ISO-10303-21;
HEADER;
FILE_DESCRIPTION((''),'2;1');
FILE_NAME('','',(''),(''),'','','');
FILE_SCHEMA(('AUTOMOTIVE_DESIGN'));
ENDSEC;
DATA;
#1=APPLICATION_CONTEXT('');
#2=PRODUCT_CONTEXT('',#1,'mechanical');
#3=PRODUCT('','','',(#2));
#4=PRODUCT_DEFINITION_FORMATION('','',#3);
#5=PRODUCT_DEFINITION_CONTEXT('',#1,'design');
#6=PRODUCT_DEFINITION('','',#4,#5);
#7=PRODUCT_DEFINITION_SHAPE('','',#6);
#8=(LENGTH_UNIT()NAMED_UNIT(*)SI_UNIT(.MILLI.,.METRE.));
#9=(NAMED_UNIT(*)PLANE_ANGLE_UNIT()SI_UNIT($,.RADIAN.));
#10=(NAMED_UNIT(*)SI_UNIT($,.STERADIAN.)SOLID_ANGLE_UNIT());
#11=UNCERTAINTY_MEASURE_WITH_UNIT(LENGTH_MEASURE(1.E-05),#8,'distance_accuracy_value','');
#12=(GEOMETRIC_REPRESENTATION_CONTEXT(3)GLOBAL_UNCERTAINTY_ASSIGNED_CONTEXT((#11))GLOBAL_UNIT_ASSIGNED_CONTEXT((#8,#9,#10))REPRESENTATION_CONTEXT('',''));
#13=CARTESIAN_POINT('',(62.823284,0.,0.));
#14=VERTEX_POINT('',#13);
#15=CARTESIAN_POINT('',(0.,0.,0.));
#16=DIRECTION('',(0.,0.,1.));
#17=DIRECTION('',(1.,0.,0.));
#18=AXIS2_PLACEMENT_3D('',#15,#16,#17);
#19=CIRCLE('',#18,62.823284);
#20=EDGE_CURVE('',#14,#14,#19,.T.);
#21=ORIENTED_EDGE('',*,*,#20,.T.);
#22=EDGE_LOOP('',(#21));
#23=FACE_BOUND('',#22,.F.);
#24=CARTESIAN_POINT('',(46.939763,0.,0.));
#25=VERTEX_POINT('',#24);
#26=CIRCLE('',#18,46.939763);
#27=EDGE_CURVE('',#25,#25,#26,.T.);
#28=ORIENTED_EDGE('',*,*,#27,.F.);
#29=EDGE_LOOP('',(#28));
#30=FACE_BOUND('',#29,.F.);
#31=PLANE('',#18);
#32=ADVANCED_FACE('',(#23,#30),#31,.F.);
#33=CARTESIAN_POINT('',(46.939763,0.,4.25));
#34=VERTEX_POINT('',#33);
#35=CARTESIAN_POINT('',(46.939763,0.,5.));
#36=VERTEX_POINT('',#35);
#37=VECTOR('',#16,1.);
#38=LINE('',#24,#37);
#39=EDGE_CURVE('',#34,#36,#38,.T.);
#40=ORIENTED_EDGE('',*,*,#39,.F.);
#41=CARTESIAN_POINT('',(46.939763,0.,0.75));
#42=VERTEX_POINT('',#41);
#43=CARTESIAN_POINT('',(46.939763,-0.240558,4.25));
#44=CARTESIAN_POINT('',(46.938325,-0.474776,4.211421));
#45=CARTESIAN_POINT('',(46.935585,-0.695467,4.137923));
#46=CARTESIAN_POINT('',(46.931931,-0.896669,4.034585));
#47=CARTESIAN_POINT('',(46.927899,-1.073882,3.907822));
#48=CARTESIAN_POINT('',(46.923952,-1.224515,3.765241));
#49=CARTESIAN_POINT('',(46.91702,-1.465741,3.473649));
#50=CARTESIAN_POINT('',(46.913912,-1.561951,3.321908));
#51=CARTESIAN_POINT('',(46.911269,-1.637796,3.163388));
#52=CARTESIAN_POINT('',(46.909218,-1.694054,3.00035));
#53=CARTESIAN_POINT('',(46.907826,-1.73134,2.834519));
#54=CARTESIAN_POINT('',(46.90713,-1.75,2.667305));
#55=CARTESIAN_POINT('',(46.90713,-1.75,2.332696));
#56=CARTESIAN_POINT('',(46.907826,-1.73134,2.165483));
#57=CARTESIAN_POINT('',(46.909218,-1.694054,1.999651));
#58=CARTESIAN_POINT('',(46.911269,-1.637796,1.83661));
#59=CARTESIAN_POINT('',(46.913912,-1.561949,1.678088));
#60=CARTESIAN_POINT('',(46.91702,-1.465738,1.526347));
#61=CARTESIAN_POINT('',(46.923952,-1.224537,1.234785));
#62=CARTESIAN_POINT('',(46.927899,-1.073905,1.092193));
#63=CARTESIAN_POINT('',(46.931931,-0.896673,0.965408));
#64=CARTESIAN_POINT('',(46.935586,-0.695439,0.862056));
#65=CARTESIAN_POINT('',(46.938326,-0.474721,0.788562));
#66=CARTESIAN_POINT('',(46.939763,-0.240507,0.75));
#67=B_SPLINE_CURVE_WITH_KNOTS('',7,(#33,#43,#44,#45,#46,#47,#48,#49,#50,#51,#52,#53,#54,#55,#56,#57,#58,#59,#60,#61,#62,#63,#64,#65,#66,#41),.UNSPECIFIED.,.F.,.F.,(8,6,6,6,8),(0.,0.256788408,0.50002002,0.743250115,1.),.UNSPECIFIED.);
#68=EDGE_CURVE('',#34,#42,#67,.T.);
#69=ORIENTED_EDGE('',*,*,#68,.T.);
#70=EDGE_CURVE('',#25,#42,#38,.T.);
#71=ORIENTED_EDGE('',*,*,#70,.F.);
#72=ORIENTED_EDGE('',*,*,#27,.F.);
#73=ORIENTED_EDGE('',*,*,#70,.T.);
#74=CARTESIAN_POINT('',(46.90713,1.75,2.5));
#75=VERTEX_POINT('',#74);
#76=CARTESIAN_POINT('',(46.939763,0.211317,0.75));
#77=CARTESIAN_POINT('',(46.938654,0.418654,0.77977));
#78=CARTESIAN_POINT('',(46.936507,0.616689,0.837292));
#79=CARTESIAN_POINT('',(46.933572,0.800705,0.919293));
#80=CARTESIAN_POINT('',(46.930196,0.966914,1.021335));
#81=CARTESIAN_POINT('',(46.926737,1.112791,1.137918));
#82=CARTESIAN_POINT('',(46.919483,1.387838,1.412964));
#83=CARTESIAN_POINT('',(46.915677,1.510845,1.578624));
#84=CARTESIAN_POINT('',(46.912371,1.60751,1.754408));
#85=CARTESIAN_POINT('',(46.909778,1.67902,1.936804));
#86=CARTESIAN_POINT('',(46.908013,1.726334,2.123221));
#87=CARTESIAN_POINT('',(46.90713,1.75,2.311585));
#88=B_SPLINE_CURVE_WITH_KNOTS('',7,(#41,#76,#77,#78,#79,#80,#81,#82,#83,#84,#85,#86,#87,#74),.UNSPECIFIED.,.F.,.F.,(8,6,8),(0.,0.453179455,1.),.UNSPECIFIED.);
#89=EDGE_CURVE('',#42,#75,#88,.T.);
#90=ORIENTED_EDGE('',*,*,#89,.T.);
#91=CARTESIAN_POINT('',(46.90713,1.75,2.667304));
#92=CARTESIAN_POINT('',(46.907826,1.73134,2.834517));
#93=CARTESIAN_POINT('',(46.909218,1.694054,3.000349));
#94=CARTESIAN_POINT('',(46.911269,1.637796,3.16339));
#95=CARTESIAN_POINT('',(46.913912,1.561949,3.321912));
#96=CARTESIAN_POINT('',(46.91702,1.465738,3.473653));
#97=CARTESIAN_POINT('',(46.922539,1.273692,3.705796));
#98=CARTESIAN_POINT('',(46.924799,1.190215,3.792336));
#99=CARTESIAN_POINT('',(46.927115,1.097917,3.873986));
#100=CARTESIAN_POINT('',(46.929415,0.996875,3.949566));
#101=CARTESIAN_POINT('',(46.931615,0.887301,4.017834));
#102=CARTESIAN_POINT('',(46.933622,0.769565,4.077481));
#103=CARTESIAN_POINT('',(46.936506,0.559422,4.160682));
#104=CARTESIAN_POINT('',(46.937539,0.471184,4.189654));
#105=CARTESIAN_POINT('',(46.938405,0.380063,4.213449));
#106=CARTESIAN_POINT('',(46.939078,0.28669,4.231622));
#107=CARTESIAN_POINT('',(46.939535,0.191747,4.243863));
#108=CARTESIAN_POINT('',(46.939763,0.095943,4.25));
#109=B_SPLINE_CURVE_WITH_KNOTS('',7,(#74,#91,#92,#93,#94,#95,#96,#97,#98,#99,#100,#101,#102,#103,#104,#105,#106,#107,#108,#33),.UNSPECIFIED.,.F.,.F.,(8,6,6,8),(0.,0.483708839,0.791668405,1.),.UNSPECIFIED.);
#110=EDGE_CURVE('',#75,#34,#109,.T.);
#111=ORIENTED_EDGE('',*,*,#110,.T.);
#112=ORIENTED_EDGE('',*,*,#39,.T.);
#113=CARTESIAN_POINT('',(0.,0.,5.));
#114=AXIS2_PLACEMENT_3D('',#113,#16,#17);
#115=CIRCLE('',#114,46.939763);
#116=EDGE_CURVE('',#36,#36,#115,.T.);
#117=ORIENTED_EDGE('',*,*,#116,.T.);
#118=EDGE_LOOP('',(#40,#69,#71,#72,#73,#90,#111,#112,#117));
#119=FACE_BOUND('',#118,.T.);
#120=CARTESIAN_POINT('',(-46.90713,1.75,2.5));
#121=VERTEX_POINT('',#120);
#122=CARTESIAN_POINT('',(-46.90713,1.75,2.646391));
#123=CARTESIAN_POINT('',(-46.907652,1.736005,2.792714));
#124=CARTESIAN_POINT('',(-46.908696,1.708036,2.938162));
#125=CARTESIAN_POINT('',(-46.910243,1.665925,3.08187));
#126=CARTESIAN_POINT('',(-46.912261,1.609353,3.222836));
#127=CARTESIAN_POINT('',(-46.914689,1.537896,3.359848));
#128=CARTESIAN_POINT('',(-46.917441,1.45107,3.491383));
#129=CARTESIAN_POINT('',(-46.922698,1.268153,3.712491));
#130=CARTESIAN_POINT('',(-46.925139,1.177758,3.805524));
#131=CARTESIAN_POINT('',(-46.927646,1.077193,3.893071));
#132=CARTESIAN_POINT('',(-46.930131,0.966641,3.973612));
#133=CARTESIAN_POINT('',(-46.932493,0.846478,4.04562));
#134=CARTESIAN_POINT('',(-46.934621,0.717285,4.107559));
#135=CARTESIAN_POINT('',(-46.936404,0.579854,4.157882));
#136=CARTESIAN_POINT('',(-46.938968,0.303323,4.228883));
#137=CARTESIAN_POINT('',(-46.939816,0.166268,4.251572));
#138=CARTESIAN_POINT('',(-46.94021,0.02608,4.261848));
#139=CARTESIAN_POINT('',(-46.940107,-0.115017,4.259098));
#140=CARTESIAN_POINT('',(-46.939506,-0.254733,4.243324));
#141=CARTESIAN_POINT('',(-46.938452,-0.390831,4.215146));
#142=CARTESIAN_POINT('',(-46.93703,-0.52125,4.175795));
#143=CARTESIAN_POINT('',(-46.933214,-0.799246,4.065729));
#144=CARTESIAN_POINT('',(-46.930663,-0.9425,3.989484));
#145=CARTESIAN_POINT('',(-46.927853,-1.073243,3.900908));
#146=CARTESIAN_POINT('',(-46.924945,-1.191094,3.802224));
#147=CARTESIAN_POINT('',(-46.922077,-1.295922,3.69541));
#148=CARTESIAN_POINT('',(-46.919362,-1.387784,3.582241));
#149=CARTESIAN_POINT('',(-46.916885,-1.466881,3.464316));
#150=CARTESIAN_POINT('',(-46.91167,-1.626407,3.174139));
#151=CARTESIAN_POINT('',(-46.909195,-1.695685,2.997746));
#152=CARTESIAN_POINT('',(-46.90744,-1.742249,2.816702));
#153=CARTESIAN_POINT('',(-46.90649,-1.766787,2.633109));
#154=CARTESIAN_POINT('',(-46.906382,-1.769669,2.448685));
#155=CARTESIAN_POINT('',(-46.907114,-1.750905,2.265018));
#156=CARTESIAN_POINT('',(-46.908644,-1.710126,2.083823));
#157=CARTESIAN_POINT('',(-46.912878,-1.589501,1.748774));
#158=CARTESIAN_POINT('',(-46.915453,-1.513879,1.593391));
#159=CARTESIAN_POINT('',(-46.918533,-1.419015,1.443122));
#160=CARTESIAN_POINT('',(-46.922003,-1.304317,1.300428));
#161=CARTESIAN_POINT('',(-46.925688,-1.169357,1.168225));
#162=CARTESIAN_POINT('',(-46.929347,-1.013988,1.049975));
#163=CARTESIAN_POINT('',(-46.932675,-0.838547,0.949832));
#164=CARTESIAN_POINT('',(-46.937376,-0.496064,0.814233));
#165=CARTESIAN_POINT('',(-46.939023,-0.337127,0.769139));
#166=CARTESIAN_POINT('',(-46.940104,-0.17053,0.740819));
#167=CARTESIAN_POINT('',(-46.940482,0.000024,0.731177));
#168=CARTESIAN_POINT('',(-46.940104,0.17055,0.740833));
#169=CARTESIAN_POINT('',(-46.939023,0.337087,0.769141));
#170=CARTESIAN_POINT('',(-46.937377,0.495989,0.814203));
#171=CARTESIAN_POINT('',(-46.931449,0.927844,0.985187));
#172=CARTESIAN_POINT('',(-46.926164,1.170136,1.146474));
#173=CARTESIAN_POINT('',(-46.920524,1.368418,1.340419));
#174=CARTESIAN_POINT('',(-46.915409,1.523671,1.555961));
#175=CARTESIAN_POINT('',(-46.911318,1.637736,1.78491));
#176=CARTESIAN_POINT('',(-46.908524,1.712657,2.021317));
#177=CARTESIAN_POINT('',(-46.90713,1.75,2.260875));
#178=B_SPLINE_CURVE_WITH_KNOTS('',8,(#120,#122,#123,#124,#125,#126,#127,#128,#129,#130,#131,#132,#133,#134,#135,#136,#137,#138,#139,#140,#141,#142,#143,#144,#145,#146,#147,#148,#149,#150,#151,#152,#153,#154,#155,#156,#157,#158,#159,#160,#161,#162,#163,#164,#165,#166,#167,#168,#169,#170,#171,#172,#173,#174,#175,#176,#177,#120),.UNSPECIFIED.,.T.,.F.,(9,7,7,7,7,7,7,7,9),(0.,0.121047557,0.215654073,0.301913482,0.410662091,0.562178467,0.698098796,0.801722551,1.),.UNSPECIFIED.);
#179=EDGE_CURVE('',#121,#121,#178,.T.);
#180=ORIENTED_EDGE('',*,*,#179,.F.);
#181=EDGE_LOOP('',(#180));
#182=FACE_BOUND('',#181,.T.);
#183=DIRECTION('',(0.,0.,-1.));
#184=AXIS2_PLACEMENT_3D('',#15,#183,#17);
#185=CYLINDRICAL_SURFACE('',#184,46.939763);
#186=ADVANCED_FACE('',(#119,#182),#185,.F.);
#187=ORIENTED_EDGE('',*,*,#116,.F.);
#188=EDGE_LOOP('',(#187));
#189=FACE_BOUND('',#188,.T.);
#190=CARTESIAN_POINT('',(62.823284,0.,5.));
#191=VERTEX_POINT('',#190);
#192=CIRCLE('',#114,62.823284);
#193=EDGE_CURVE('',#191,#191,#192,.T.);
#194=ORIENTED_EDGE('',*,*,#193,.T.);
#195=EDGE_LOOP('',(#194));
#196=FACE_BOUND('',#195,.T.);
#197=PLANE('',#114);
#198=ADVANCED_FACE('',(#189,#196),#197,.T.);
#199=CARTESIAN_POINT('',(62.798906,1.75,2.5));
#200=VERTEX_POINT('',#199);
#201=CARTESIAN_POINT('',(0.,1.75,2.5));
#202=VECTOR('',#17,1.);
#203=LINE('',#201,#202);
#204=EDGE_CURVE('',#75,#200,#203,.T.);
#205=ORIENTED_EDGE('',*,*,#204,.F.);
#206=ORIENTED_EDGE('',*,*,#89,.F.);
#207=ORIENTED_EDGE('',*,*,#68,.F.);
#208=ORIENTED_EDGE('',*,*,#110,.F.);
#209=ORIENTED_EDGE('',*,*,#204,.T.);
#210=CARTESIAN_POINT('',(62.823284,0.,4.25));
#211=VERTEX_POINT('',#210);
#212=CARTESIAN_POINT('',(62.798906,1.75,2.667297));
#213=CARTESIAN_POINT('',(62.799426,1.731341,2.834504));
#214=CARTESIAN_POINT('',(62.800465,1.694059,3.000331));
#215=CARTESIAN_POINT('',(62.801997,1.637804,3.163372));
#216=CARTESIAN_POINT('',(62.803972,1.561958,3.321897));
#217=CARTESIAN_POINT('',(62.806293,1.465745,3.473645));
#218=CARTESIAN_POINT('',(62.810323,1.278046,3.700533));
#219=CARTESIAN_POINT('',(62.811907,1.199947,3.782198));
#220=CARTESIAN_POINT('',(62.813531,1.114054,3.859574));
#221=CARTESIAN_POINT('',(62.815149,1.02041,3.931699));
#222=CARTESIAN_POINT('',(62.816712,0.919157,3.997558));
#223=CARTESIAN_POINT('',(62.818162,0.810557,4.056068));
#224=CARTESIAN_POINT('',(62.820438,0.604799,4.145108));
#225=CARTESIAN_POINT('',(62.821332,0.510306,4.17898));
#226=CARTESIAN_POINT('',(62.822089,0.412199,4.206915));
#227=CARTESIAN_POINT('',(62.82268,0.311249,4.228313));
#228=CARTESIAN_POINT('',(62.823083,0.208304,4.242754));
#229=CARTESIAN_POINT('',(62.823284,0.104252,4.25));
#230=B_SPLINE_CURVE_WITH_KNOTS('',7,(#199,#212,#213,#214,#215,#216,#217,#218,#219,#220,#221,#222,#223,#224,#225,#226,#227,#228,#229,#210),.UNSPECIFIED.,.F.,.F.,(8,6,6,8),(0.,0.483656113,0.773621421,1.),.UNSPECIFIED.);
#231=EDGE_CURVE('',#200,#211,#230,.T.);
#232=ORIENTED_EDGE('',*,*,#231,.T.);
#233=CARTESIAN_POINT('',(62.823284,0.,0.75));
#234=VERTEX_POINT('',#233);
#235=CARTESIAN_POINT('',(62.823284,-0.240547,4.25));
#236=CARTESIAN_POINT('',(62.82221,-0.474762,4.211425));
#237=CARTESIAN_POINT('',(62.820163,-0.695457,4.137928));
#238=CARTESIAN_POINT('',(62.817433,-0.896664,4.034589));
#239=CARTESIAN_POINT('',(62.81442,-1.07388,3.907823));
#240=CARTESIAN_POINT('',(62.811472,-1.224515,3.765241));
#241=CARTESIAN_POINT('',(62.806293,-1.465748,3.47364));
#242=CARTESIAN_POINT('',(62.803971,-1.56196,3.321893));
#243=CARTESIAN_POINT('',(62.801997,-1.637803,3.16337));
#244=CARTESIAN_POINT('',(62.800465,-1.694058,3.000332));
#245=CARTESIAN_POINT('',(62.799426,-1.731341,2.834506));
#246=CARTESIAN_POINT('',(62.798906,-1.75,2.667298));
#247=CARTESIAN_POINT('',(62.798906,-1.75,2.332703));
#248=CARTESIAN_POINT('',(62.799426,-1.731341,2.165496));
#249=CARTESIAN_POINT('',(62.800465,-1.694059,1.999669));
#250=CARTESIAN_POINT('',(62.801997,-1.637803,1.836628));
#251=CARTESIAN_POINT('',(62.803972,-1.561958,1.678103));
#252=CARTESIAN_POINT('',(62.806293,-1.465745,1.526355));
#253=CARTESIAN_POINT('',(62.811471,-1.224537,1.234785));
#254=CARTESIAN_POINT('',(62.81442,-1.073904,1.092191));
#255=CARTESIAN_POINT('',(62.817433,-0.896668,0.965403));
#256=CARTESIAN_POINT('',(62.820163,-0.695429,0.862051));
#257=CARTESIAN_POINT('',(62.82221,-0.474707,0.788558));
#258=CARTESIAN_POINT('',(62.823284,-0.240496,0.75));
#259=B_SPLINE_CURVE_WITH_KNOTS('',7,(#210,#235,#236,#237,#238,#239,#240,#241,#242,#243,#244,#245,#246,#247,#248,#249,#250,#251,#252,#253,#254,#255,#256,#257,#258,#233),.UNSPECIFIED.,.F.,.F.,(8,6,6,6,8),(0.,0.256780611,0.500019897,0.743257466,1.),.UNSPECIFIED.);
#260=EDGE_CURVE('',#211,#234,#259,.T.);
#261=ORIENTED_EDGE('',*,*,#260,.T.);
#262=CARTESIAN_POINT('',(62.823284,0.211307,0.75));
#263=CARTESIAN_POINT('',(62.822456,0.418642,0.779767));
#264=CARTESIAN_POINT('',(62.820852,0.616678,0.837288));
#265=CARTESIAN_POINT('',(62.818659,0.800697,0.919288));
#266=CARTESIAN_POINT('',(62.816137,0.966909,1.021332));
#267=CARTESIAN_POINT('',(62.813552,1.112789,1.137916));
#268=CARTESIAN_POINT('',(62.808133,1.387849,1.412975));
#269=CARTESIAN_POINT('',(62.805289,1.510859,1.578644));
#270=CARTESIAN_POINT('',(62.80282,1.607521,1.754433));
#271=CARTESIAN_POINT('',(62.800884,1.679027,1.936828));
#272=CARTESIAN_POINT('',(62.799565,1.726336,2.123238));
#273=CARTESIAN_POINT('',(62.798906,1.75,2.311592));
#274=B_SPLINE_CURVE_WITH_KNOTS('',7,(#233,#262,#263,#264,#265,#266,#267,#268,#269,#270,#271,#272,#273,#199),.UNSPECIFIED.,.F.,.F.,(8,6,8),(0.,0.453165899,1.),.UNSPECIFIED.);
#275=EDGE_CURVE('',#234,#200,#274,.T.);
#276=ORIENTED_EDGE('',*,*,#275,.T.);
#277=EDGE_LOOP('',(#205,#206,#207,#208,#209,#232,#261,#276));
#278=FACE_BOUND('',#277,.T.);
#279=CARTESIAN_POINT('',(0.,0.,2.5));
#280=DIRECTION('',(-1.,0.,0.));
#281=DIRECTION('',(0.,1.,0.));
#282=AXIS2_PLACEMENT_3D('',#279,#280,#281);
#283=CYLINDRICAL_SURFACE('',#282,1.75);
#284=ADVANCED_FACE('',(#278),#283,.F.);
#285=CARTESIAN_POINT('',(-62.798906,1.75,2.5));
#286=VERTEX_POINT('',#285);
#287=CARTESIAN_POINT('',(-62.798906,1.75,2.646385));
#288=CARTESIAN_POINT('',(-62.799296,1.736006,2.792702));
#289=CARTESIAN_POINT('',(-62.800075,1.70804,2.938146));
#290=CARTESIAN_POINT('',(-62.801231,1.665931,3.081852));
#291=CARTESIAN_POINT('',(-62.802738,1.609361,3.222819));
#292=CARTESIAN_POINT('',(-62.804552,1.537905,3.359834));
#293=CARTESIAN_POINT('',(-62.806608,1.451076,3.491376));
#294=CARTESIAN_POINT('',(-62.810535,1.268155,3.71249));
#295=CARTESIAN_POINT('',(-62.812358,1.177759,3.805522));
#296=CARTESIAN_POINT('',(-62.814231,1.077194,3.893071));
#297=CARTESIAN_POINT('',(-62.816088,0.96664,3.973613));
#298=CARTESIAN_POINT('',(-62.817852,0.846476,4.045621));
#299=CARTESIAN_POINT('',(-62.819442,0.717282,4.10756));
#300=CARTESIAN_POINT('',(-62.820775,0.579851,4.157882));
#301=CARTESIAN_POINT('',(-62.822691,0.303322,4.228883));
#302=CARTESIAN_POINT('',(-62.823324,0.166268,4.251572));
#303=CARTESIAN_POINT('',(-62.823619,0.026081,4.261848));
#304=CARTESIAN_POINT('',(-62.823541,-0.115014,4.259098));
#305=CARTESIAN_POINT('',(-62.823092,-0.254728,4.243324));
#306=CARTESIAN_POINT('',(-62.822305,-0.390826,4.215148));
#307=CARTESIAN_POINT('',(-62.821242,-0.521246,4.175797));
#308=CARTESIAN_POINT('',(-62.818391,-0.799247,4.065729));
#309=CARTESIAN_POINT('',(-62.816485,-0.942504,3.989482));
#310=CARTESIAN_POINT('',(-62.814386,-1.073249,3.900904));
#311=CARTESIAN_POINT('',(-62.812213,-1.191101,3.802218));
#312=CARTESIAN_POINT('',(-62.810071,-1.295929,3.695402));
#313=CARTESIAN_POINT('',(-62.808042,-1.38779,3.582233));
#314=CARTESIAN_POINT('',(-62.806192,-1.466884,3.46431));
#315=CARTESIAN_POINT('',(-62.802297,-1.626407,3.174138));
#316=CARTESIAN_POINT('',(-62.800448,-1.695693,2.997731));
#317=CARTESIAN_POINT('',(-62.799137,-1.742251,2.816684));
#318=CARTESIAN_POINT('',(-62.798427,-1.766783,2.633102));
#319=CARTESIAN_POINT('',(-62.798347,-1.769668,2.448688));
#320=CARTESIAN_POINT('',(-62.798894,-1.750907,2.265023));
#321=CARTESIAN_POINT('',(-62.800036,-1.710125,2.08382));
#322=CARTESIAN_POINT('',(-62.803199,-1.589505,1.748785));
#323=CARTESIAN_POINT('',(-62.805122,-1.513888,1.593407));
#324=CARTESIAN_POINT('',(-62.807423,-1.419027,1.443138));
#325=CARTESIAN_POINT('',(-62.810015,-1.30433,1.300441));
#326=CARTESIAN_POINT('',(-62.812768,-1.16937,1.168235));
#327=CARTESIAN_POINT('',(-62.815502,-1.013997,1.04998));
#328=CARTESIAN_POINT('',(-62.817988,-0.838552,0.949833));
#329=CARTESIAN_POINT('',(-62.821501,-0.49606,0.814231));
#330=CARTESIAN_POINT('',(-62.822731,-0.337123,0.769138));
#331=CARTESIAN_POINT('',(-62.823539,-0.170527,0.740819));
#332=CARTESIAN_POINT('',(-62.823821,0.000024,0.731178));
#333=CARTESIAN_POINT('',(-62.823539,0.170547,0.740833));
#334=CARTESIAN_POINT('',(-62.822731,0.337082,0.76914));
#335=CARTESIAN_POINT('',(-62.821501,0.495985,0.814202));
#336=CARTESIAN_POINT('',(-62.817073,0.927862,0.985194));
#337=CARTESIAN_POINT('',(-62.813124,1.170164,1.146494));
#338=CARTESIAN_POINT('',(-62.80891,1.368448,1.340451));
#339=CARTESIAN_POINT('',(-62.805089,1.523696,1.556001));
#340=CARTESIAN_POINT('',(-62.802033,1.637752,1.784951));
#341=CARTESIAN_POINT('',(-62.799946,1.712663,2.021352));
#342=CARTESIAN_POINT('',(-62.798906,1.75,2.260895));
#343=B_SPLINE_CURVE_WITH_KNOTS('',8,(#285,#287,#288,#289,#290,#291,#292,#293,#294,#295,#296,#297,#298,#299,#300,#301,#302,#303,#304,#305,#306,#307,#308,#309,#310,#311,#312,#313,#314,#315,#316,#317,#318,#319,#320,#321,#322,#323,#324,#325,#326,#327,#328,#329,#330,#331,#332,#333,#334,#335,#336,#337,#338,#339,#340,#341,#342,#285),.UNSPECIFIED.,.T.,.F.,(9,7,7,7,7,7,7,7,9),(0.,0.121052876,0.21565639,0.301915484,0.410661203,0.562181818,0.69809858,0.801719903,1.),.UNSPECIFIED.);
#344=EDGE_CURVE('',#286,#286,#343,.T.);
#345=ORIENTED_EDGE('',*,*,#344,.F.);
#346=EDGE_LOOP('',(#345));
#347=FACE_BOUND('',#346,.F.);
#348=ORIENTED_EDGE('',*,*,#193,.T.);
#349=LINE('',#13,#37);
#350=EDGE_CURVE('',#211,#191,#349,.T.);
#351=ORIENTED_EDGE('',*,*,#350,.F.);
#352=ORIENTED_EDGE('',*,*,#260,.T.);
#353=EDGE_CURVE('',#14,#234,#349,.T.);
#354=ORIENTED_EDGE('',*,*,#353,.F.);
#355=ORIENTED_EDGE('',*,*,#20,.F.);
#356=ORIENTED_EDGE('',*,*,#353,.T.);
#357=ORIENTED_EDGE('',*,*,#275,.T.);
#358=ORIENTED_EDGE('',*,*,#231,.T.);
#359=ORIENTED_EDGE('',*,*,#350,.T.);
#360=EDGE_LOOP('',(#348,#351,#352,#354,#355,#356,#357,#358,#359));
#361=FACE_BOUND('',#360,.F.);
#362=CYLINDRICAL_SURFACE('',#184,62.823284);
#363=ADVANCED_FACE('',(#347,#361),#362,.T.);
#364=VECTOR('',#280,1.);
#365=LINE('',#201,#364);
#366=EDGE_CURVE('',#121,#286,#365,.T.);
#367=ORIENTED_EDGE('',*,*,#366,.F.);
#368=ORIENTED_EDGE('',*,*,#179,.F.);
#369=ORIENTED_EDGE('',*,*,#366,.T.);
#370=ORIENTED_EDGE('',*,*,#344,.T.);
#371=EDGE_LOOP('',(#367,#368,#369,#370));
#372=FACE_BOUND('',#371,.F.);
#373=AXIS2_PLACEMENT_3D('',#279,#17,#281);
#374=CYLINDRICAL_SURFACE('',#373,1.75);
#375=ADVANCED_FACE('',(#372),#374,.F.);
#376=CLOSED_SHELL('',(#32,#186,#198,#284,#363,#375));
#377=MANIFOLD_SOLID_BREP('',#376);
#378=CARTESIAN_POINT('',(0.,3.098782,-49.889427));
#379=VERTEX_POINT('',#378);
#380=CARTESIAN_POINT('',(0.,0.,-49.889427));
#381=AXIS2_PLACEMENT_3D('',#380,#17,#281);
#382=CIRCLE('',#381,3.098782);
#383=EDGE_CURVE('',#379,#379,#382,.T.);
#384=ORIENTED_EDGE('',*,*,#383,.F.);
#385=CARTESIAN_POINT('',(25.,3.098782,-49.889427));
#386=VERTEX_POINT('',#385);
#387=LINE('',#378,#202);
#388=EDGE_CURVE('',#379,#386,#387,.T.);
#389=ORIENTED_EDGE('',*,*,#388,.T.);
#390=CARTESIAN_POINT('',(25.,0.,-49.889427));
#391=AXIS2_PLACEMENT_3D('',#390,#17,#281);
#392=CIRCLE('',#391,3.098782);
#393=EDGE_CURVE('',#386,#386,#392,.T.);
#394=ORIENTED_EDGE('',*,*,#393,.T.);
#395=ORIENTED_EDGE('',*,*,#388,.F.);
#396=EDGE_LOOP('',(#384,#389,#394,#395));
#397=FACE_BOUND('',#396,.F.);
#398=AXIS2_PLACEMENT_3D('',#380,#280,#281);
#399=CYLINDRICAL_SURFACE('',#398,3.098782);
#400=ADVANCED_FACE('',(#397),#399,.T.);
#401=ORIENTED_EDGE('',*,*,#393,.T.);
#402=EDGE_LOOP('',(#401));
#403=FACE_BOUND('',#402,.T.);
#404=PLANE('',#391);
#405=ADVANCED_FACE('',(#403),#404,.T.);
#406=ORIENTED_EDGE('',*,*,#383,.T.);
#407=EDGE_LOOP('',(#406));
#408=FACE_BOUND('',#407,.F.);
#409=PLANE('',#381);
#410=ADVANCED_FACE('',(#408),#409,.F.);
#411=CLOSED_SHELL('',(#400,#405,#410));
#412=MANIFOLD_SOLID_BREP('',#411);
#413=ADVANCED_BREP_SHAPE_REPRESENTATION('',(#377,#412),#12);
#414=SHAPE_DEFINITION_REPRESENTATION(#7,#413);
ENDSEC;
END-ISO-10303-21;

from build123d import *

# Parameters (mm, degrees)
F0_R          = 62.823284417
F0_R_2        = 46.9397632094
F1_DEPTH      = 5
F2_R          = 3.0987822173
F3_DEPTH      = 25
F4_R          = 1.75
F5_DEPTH      = 94.8
F5_DEPTH_BACK = 86.7


with BuildPart() as f1:
    # F0 (on Top) → F1 (new body)
    with BuildSketch(Plane.XY):
        Circle(F0_R)
        Circle(F0_R_2, mode=Mode.SUBTRACT)
    extrude(amount=F1_DEPTH)

    # F4 (on Right) → F5 (cut, two sides)
    with BuildSketch(Plane.YZ) as f5_sk:
        with Locations((0, 2.5)):
            Circle(F4_R)
    extrude(amount=-F5_DEPTH, mode=Mode.SUBTRACT)
    extrude(f5_sk.sketch, amount=F5_DEPTH_BACK, mode=Mode.SUBTRACT)


with BuildPart() as f3:
    # F2 (on Right) → F3 (new body)
    with BuildSketch(Plane.YZ):
        with Locations((0, -49.8894266784)):
            Circle(F2_R)
    extrude(amount=F3_DEPTH)


solid = Compound([f1.part, f3.part])
